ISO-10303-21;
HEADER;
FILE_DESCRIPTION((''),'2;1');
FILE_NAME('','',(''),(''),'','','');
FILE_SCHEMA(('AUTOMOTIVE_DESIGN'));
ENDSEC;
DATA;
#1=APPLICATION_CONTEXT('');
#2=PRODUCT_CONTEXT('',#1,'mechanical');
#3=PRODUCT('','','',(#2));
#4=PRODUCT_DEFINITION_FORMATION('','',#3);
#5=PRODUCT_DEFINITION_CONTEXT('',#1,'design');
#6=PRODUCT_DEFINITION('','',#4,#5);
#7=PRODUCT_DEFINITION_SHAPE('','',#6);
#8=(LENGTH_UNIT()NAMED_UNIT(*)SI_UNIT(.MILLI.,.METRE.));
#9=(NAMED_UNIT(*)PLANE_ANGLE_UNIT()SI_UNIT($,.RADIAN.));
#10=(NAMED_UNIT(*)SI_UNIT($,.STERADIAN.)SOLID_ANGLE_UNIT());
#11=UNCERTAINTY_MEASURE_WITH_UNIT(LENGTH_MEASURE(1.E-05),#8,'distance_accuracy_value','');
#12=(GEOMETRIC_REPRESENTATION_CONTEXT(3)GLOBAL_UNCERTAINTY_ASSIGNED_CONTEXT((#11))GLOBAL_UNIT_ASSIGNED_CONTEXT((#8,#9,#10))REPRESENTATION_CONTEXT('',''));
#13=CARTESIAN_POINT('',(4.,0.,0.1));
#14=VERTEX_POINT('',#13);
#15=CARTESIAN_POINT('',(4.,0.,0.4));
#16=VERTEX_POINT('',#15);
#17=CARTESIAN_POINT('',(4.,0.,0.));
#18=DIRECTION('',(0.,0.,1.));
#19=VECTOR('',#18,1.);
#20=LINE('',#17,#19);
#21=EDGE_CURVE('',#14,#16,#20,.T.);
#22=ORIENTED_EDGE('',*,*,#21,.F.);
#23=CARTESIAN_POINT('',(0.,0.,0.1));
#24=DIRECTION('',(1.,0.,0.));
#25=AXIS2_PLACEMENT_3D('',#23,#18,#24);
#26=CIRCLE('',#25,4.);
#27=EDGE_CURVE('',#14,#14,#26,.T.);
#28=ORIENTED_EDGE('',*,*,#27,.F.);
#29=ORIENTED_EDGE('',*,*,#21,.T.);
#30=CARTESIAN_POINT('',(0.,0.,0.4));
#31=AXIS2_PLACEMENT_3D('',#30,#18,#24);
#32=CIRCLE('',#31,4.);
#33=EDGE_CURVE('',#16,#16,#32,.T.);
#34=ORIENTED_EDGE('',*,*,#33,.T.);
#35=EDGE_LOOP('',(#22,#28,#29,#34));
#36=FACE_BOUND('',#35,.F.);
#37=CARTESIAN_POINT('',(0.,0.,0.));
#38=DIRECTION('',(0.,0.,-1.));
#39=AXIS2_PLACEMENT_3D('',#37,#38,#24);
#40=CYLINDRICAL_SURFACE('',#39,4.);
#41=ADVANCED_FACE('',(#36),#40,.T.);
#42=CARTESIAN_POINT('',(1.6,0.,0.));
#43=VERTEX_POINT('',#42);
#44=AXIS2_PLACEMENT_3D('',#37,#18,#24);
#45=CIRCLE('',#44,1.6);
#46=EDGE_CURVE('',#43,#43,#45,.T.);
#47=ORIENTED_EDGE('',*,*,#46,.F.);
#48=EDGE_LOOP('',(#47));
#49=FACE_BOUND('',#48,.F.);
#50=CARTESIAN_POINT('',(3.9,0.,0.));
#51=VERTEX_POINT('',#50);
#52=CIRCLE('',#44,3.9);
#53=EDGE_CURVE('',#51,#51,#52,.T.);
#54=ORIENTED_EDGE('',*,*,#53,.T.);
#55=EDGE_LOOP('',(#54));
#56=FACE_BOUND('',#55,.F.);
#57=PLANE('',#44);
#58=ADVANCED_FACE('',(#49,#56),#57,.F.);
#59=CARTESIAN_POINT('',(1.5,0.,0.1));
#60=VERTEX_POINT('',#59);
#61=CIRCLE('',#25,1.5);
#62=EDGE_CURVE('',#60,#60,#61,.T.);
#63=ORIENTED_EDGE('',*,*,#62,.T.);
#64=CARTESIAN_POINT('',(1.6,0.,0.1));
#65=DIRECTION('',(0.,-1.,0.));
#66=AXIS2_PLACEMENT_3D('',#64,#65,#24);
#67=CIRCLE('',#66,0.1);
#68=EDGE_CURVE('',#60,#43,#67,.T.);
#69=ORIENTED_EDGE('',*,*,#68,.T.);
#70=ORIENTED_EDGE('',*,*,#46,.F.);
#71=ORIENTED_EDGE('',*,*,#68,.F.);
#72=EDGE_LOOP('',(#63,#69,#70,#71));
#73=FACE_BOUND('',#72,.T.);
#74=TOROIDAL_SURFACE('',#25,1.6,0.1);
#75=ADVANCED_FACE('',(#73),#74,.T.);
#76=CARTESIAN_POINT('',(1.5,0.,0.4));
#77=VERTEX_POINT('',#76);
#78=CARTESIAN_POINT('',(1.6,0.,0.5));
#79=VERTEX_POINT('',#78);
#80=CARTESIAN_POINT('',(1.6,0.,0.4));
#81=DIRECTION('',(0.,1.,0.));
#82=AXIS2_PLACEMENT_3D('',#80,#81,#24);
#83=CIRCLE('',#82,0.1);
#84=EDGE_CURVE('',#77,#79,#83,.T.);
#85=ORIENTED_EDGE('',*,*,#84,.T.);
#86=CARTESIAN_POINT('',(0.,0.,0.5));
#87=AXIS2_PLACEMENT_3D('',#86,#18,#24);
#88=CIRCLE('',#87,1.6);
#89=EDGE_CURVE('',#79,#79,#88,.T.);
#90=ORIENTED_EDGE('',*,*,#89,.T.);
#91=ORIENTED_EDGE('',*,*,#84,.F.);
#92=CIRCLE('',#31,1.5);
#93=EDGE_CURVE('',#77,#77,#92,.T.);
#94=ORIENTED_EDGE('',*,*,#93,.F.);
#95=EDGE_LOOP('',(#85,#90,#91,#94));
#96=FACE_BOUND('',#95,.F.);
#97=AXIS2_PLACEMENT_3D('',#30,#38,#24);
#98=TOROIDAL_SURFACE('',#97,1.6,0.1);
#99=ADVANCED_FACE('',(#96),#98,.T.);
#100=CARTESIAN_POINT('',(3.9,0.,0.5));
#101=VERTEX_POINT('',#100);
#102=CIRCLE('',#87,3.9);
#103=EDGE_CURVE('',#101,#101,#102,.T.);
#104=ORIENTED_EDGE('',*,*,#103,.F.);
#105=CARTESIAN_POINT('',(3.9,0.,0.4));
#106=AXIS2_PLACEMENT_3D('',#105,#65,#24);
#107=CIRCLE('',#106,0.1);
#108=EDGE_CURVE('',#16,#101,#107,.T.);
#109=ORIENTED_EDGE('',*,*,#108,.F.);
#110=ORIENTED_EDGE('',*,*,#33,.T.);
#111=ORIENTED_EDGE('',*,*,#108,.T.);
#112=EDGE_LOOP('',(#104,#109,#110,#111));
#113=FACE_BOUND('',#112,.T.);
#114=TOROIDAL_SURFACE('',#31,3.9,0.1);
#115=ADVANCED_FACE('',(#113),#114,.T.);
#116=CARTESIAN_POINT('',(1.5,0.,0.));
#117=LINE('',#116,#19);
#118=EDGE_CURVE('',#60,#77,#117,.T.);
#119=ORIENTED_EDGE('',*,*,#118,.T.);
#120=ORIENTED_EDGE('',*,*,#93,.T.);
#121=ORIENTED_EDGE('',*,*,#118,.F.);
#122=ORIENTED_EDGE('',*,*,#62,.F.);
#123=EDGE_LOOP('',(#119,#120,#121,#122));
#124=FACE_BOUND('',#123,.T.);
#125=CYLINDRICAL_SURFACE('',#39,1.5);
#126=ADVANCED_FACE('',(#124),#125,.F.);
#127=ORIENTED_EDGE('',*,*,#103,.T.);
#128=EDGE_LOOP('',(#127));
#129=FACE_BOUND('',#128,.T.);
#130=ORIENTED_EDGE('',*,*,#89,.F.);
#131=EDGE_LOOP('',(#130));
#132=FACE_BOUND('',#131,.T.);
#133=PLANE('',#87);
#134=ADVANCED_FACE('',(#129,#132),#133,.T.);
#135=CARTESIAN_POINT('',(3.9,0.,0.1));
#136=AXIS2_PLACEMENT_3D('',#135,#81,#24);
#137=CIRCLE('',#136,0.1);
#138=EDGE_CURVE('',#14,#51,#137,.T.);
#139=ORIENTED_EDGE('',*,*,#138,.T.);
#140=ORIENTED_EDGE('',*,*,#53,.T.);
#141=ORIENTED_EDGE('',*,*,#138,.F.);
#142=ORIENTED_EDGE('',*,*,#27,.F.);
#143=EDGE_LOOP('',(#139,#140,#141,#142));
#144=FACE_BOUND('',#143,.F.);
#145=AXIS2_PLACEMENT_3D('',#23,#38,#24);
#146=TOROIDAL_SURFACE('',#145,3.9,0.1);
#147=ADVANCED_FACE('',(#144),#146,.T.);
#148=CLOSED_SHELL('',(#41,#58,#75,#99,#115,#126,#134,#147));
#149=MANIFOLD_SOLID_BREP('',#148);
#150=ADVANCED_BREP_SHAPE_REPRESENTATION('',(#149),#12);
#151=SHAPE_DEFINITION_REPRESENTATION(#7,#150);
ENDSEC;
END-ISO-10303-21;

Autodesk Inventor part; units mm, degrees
ref_plane "YZ Plane" through (0, 0, 0) normal (1, 0, 0) x (0, 1, 0)
ref_plane "XZ Plane" through (0, 0, 0) normal (0, 1, 0) x (-1, 0, 0)
ref_plane "XY Plane" through (0, 0, 0) normal (0, 0, 1) x (1, 0, 0)
sketch "スケッチ1" plane through (0, 0, 0) normal (0, 0, 1) x (1, 0, 0)
  circle A0 centre (0, 0) radius 4
  circle A1 centre (0, 0) radius 1.5
  dimension "d0" = 8
  dimension "d1" = 3
extrude "押し出し1" add sketch "スケッチ1" along normal blind 0.5
fillet "フィレット1" radius 0.1 4 edges at (-4, 0, 0.5) (-1.5, 0, 0.5) (-4, 0, 0) (-1.5, 0, 0)
properties material "ステンレス鋼"
